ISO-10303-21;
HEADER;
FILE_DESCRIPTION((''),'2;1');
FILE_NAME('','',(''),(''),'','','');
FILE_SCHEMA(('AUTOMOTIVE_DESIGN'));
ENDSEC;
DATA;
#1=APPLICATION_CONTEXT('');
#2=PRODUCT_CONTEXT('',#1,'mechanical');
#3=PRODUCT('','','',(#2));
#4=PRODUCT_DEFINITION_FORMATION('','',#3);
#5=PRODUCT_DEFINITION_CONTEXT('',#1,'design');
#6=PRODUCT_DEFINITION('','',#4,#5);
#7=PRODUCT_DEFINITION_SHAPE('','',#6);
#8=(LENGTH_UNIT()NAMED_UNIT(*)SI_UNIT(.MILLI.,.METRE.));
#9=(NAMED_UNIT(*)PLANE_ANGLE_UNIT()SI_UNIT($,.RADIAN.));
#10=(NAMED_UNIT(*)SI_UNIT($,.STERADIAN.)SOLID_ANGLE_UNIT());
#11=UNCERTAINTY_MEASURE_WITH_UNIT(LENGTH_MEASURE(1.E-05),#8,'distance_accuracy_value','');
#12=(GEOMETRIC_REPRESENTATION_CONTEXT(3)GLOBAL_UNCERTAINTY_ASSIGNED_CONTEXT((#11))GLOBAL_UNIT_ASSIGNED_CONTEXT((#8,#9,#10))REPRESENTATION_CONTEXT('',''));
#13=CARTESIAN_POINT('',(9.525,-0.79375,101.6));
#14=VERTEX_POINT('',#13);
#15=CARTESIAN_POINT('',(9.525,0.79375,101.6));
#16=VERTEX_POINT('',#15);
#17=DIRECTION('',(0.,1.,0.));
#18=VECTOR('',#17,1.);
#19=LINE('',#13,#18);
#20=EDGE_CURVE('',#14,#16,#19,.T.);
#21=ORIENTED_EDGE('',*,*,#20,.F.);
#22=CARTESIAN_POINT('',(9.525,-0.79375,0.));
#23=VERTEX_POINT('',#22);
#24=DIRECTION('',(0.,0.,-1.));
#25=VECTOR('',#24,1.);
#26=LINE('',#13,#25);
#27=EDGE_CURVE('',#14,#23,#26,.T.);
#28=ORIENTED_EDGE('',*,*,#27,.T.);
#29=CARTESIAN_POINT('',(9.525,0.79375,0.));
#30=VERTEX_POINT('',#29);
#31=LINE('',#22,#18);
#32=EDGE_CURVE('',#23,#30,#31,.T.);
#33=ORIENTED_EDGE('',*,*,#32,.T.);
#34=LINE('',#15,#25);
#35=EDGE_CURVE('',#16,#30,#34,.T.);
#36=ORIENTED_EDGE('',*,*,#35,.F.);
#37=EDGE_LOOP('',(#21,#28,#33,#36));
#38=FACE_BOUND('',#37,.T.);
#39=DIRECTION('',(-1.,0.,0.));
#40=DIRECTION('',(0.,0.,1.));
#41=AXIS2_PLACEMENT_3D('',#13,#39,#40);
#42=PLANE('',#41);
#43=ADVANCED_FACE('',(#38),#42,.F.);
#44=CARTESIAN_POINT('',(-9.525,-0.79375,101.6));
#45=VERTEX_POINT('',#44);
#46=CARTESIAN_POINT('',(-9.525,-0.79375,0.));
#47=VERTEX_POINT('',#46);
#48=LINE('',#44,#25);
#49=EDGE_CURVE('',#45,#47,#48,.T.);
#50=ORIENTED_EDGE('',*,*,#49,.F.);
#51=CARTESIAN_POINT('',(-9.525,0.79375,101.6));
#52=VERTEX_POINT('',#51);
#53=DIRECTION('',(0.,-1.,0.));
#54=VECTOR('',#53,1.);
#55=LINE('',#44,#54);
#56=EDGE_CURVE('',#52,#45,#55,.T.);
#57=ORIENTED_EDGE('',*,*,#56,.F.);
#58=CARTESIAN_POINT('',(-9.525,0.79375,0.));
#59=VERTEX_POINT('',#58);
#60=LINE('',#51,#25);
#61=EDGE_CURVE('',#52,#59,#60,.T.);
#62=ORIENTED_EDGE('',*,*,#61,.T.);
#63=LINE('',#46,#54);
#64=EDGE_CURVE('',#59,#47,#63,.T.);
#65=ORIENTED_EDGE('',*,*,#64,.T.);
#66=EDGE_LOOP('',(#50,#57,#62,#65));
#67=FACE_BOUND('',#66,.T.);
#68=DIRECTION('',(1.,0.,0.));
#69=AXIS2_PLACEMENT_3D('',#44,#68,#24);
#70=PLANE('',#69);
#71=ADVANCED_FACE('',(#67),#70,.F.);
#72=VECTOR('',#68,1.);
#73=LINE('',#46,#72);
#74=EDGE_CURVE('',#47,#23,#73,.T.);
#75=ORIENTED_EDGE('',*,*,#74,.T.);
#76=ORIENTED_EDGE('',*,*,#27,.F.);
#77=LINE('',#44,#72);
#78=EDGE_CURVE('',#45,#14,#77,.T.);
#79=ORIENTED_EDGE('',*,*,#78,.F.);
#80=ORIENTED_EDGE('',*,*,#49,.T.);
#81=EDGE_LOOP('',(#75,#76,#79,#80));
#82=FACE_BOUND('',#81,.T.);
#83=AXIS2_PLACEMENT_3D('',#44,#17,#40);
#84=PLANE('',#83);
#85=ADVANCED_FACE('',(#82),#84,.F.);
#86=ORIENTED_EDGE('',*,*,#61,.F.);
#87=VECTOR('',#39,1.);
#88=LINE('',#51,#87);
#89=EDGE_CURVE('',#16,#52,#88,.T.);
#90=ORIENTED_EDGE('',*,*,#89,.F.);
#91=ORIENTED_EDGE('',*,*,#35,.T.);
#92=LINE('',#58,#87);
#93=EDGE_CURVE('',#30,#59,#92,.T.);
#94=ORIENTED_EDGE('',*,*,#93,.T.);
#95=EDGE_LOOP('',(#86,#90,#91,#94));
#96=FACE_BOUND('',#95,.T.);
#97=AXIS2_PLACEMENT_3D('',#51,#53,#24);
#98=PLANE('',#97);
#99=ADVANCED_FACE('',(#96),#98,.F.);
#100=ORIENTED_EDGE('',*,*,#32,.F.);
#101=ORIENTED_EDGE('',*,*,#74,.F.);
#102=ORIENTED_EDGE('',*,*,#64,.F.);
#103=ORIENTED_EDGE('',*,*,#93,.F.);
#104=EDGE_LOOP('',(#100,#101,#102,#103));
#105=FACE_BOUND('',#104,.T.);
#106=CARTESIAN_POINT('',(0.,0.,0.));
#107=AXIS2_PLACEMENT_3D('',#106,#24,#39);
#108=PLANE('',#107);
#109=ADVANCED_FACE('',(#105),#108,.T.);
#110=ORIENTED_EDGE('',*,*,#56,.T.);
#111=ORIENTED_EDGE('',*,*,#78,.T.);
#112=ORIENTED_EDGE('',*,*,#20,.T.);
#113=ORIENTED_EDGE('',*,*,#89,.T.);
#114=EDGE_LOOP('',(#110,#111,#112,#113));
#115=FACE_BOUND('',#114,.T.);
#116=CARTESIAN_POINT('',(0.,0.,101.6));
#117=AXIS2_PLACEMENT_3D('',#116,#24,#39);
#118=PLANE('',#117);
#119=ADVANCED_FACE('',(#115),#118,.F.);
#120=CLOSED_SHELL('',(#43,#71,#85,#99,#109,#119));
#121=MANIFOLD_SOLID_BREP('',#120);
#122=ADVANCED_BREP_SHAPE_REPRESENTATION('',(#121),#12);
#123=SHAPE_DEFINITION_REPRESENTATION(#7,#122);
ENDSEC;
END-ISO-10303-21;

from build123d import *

# Parameters (mm, degrees)
SKETCH1_W           = 19.05
SKETCH1_H           = 1.5875
BOSS_EXTRUDE1_DEPTH = 101.6


with BuildPart() as part:
    # Sketch1 → Boss-Extrude1 (new body)
    with BuildSketch(Plane.XY):
        Rectangle(SKETCH1_W, SKETCH1_H)
    extrude(amount=BOSS_EXTRUDE1_DEPTH)


solid = part.part
